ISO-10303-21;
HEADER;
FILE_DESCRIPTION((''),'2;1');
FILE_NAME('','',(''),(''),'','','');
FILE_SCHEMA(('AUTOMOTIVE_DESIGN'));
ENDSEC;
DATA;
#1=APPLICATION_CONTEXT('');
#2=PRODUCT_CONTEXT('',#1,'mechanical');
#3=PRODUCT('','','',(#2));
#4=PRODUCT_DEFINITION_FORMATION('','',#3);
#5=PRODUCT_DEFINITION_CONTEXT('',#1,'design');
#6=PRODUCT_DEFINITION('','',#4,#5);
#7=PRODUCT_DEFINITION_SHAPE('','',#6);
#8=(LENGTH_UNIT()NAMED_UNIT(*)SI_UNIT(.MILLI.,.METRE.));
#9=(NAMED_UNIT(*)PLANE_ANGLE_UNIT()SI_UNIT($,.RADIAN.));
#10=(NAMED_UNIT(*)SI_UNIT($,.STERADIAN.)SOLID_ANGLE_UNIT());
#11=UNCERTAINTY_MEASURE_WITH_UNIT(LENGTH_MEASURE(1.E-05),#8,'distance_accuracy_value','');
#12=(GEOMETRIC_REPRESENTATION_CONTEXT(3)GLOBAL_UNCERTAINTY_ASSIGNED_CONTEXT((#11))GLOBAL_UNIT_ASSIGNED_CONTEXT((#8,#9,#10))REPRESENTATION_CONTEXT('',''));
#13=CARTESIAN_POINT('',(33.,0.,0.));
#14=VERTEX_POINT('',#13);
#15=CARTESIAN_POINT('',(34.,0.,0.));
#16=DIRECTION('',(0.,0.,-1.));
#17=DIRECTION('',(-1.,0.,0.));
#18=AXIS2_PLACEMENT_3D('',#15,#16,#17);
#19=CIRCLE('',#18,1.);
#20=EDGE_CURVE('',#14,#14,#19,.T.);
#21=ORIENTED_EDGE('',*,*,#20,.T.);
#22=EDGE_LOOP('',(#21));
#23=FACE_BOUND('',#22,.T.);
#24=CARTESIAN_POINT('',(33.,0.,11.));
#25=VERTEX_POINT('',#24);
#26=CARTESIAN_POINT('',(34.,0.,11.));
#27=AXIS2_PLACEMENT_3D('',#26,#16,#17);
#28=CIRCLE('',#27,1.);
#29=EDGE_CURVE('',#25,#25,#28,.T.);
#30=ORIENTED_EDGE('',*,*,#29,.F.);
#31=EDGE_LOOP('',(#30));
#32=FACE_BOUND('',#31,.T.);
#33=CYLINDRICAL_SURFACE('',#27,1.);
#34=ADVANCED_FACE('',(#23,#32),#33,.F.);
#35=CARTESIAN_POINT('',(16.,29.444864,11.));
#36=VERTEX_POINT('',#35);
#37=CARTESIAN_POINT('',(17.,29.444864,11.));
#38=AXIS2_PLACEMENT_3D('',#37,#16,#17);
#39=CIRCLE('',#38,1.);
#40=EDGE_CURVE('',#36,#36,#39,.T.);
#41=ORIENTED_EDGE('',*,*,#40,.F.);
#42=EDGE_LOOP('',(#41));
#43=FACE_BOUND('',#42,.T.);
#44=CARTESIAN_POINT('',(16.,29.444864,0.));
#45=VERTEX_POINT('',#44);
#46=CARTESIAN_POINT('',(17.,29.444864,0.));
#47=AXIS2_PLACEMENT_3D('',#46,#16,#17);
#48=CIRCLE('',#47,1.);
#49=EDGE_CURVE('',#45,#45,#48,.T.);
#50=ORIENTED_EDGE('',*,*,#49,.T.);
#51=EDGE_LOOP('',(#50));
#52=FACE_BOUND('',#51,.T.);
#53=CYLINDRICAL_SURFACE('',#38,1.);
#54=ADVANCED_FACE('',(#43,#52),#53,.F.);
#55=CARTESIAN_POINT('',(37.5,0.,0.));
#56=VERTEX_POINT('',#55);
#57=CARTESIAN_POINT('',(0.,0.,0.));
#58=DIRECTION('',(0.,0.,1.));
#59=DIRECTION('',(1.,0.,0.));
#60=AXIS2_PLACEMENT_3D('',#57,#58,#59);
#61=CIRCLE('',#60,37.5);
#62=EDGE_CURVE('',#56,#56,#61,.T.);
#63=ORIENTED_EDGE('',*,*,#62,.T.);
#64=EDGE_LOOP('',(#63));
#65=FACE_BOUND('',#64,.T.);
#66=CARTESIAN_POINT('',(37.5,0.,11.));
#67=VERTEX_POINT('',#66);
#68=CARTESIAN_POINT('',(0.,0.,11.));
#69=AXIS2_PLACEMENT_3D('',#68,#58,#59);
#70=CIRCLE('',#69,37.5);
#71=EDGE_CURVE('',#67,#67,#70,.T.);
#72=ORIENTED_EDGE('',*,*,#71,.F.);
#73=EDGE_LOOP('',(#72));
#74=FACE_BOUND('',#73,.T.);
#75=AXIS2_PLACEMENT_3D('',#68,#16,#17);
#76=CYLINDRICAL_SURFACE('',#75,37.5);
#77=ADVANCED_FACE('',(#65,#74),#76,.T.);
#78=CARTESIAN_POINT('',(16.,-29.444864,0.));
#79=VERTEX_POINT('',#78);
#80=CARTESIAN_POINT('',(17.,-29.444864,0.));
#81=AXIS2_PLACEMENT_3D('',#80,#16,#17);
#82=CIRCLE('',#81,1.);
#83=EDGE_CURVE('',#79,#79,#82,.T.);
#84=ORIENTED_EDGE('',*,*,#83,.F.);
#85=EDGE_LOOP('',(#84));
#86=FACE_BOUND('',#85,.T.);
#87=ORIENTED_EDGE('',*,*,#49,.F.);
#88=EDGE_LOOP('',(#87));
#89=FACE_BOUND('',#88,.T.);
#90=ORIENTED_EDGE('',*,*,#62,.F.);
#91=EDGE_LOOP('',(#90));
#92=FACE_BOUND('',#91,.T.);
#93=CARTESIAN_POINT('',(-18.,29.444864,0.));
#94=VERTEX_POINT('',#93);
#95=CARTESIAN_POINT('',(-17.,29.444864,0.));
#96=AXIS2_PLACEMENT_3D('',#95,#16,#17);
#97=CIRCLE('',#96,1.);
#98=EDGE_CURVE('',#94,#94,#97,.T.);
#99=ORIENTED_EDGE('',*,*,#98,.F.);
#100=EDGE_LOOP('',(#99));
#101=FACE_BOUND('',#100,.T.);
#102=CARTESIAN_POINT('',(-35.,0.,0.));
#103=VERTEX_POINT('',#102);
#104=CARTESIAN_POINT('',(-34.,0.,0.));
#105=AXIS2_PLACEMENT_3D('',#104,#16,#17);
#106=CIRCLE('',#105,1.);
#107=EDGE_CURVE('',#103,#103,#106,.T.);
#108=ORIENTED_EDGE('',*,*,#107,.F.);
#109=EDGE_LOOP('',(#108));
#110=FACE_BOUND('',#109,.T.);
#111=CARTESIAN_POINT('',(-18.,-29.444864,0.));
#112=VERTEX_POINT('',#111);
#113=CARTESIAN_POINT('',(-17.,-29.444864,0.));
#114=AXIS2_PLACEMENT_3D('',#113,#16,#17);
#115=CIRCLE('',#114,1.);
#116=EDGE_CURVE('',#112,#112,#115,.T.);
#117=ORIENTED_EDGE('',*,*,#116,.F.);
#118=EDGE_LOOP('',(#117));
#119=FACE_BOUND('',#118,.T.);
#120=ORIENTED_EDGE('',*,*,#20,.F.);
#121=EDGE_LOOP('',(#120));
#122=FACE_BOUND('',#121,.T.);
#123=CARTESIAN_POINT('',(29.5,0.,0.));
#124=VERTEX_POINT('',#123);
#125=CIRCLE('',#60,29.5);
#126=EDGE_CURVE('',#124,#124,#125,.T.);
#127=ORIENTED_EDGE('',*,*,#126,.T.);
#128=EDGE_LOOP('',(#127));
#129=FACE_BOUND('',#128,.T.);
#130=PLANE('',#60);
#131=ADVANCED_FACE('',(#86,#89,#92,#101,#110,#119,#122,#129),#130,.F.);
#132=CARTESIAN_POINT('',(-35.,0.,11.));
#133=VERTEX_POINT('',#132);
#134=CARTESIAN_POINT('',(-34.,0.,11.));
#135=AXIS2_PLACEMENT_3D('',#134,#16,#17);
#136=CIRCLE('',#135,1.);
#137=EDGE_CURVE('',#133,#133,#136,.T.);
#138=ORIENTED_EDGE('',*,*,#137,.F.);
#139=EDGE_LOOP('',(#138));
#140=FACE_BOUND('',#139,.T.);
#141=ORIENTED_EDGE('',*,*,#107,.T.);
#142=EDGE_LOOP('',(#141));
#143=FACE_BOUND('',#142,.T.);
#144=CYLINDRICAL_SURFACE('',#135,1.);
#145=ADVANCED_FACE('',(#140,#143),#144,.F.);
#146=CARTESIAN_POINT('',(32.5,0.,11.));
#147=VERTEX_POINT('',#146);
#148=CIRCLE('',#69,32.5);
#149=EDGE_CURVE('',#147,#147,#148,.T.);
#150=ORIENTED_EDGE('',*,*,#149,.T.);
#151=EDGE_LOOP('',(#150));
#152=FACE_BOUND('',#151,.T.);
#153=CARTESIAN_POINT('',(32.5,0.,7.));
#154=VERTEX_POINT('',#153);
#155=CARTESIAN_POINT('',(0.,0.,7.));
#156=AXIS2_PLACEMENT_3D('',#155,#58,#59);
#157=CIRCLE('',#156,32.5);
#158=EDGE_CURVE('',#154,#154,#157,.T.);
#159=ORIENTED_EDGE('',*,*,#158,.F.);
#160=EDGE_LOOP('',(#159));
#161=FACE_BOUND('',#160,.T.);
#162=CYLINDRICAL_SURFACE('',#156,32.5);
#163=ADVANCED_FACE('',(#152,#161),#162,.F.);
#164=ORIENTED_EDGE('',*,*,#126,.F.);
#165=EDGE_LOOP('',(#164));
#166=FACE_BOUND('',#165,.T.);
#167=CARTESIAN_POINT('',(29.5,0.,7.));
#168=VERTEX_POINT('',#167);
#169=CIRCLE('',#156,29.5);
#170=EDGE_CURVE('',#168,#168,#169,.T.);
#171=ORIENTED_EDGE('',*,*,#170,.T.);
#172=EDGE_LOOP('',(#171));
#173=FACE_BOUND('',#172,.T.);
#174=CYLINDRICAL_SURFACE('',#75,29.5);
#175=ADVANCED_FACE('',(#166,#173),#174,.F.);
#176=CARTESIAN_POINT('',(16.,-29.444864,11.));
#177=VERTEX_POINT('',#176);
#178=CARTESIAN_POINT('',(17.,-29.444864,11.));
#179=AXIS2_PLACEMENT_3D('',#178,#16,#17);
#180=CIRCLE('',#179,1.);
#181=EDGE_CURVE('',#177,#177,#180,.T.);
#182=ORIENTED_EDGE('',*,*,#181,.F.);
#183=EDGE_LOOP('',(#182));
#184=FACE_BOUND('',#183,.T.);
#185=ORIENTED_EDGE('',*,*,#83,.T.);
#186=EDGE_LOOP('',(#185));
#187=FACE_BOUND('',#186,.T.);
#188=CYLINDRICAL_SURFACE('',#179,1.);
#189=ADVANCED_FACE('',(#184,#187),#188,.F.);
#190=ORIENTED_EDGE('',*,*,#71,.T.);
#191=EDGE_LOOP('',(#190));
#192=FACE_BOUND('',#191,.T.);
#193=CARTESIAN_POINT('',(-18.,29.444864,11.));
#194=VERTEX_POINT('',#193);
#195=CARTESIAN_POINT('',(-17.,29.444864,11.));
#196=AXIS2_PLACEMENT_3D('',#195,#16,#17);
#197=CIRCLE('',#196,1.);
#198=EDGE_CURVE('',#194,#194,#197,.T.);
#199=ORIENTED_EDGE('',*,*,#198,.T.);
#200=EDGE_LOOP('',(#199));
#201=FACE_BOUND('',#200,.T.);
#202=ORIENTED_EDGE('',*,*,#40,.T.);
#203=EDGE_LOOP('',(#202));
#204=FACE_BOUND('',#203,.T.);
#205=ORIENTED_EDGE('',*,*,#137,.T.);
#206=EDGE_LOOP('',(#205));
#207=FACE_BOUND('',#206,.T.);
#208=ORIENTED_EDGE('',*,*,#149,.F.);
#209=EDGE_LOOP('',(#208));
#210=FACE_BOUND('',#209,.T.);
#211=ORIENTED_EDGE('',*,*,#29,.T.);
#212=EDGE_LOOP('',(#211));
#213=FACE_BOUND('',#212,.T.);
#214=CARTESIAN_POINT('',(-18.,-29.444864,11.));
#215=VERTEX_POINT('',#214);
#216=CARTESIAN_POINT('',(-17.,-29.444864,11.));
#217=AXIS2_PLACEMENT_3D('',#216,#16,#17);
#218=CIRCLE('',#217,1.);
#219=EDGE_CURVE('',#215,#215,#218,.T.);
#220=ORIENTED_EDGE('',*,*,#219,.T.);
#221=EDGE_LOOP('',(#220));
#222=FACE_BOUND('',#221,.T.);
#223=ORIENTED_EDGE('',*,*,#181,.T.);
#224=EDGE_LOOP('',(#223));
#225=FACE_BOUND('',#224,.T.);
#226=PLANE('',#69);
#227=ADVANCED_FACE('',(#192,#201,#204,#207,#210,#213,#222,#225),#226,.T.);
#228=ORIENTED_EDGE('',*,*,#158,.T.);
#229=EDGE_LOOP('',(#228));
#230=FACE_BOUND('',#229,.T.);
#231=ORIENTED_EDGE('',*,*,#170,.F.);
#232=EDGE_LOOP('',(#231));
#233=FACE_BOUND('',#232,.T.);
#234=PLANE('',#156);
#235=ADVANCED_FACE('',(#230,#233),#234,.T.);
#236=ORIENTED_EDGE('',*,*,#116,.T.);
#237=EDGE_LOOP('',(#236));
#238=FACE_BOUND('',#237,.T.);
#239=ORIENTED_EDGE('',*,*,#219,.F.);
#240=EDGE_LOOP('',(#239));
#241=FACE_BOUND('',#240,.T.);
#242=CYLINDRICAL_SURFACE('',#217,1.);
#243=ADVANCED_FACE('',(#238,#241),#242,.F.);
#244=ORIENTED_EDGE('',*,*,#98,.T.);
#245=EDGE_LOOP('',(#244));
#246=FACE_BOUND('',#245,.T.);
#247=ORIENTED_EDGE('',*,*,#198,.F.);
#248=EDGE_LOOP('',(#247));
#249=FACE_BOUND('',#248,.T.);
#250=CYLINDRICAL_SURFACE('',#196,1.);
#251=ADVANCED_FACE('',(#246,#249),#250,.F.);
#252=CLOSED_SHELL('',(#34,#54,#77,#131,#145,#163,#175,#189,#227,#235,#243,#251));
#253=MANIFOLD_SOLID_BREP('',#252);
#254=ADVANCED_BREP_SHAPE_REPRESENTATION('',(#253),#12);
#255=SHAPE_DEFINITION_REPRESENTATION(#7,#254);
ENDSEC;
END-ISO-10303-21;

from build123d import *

# Parameters (mm, degrees)
SKETCH1_R           = 37.5
SKETCH1_R_2         = 29.5
BOSS_EXTRUDE1_DEPTH = 11
SKETCH2_R           = 1
CUT_EXTRUDE1_DEPTH  = 11
SKETCH3_R           = 32.5
CUT_EXTRUDE2_DEPTH  = 4


with BuildPart() as part:
    # Sketch1 → Boss-Extrude1 (new body)
    with BuildSketch(Plane.XY):
        Circle(SKETCH1_R)
        Circle(SKETCH1_R_2, mode=Mode.SUBTRACT)
    extrude(amount=BOSS_EXTRUDE1_DEPTH)

    # Sketch2 → Cut-Extrude1 (cut)
    with BuildSketch(Plane(origin=(0, 0, 0), x_dir=(-1, 0, 0), z_dir=(0, 0, -1))):
        with Locations((-17, 29.444863729)):
            Circle(SKETCH2_R)
        with Locations((17, 29.444863729)):
            Circle(SKETCH2_R)
        with Locations((34, 0)):
            Circle(SKETCH2_R)
        with Locations((17, -29.444863729)):
            Circle(SKETCH2_R)
        with Locations((-17, -29.444863729)):
            Circle(SKETCH2_R)
        with Locations((-34, 0)):
            Circle(SKETCH2_R)
    extrude(amount=-CUT_EXTRUDE1_DEPTH, mode=Mode.SUBTRACT)

    # Sketch3 → Cut-Extrude2 (cut)
    with BuildSketch(Plane.XY.offset(11)):
        Circle(SKETCH3_R)
    extrude(amount=-CUT_EXTRUDE2_DEPTH, mode=Mode.SUBTRACT)


solid = part.part
